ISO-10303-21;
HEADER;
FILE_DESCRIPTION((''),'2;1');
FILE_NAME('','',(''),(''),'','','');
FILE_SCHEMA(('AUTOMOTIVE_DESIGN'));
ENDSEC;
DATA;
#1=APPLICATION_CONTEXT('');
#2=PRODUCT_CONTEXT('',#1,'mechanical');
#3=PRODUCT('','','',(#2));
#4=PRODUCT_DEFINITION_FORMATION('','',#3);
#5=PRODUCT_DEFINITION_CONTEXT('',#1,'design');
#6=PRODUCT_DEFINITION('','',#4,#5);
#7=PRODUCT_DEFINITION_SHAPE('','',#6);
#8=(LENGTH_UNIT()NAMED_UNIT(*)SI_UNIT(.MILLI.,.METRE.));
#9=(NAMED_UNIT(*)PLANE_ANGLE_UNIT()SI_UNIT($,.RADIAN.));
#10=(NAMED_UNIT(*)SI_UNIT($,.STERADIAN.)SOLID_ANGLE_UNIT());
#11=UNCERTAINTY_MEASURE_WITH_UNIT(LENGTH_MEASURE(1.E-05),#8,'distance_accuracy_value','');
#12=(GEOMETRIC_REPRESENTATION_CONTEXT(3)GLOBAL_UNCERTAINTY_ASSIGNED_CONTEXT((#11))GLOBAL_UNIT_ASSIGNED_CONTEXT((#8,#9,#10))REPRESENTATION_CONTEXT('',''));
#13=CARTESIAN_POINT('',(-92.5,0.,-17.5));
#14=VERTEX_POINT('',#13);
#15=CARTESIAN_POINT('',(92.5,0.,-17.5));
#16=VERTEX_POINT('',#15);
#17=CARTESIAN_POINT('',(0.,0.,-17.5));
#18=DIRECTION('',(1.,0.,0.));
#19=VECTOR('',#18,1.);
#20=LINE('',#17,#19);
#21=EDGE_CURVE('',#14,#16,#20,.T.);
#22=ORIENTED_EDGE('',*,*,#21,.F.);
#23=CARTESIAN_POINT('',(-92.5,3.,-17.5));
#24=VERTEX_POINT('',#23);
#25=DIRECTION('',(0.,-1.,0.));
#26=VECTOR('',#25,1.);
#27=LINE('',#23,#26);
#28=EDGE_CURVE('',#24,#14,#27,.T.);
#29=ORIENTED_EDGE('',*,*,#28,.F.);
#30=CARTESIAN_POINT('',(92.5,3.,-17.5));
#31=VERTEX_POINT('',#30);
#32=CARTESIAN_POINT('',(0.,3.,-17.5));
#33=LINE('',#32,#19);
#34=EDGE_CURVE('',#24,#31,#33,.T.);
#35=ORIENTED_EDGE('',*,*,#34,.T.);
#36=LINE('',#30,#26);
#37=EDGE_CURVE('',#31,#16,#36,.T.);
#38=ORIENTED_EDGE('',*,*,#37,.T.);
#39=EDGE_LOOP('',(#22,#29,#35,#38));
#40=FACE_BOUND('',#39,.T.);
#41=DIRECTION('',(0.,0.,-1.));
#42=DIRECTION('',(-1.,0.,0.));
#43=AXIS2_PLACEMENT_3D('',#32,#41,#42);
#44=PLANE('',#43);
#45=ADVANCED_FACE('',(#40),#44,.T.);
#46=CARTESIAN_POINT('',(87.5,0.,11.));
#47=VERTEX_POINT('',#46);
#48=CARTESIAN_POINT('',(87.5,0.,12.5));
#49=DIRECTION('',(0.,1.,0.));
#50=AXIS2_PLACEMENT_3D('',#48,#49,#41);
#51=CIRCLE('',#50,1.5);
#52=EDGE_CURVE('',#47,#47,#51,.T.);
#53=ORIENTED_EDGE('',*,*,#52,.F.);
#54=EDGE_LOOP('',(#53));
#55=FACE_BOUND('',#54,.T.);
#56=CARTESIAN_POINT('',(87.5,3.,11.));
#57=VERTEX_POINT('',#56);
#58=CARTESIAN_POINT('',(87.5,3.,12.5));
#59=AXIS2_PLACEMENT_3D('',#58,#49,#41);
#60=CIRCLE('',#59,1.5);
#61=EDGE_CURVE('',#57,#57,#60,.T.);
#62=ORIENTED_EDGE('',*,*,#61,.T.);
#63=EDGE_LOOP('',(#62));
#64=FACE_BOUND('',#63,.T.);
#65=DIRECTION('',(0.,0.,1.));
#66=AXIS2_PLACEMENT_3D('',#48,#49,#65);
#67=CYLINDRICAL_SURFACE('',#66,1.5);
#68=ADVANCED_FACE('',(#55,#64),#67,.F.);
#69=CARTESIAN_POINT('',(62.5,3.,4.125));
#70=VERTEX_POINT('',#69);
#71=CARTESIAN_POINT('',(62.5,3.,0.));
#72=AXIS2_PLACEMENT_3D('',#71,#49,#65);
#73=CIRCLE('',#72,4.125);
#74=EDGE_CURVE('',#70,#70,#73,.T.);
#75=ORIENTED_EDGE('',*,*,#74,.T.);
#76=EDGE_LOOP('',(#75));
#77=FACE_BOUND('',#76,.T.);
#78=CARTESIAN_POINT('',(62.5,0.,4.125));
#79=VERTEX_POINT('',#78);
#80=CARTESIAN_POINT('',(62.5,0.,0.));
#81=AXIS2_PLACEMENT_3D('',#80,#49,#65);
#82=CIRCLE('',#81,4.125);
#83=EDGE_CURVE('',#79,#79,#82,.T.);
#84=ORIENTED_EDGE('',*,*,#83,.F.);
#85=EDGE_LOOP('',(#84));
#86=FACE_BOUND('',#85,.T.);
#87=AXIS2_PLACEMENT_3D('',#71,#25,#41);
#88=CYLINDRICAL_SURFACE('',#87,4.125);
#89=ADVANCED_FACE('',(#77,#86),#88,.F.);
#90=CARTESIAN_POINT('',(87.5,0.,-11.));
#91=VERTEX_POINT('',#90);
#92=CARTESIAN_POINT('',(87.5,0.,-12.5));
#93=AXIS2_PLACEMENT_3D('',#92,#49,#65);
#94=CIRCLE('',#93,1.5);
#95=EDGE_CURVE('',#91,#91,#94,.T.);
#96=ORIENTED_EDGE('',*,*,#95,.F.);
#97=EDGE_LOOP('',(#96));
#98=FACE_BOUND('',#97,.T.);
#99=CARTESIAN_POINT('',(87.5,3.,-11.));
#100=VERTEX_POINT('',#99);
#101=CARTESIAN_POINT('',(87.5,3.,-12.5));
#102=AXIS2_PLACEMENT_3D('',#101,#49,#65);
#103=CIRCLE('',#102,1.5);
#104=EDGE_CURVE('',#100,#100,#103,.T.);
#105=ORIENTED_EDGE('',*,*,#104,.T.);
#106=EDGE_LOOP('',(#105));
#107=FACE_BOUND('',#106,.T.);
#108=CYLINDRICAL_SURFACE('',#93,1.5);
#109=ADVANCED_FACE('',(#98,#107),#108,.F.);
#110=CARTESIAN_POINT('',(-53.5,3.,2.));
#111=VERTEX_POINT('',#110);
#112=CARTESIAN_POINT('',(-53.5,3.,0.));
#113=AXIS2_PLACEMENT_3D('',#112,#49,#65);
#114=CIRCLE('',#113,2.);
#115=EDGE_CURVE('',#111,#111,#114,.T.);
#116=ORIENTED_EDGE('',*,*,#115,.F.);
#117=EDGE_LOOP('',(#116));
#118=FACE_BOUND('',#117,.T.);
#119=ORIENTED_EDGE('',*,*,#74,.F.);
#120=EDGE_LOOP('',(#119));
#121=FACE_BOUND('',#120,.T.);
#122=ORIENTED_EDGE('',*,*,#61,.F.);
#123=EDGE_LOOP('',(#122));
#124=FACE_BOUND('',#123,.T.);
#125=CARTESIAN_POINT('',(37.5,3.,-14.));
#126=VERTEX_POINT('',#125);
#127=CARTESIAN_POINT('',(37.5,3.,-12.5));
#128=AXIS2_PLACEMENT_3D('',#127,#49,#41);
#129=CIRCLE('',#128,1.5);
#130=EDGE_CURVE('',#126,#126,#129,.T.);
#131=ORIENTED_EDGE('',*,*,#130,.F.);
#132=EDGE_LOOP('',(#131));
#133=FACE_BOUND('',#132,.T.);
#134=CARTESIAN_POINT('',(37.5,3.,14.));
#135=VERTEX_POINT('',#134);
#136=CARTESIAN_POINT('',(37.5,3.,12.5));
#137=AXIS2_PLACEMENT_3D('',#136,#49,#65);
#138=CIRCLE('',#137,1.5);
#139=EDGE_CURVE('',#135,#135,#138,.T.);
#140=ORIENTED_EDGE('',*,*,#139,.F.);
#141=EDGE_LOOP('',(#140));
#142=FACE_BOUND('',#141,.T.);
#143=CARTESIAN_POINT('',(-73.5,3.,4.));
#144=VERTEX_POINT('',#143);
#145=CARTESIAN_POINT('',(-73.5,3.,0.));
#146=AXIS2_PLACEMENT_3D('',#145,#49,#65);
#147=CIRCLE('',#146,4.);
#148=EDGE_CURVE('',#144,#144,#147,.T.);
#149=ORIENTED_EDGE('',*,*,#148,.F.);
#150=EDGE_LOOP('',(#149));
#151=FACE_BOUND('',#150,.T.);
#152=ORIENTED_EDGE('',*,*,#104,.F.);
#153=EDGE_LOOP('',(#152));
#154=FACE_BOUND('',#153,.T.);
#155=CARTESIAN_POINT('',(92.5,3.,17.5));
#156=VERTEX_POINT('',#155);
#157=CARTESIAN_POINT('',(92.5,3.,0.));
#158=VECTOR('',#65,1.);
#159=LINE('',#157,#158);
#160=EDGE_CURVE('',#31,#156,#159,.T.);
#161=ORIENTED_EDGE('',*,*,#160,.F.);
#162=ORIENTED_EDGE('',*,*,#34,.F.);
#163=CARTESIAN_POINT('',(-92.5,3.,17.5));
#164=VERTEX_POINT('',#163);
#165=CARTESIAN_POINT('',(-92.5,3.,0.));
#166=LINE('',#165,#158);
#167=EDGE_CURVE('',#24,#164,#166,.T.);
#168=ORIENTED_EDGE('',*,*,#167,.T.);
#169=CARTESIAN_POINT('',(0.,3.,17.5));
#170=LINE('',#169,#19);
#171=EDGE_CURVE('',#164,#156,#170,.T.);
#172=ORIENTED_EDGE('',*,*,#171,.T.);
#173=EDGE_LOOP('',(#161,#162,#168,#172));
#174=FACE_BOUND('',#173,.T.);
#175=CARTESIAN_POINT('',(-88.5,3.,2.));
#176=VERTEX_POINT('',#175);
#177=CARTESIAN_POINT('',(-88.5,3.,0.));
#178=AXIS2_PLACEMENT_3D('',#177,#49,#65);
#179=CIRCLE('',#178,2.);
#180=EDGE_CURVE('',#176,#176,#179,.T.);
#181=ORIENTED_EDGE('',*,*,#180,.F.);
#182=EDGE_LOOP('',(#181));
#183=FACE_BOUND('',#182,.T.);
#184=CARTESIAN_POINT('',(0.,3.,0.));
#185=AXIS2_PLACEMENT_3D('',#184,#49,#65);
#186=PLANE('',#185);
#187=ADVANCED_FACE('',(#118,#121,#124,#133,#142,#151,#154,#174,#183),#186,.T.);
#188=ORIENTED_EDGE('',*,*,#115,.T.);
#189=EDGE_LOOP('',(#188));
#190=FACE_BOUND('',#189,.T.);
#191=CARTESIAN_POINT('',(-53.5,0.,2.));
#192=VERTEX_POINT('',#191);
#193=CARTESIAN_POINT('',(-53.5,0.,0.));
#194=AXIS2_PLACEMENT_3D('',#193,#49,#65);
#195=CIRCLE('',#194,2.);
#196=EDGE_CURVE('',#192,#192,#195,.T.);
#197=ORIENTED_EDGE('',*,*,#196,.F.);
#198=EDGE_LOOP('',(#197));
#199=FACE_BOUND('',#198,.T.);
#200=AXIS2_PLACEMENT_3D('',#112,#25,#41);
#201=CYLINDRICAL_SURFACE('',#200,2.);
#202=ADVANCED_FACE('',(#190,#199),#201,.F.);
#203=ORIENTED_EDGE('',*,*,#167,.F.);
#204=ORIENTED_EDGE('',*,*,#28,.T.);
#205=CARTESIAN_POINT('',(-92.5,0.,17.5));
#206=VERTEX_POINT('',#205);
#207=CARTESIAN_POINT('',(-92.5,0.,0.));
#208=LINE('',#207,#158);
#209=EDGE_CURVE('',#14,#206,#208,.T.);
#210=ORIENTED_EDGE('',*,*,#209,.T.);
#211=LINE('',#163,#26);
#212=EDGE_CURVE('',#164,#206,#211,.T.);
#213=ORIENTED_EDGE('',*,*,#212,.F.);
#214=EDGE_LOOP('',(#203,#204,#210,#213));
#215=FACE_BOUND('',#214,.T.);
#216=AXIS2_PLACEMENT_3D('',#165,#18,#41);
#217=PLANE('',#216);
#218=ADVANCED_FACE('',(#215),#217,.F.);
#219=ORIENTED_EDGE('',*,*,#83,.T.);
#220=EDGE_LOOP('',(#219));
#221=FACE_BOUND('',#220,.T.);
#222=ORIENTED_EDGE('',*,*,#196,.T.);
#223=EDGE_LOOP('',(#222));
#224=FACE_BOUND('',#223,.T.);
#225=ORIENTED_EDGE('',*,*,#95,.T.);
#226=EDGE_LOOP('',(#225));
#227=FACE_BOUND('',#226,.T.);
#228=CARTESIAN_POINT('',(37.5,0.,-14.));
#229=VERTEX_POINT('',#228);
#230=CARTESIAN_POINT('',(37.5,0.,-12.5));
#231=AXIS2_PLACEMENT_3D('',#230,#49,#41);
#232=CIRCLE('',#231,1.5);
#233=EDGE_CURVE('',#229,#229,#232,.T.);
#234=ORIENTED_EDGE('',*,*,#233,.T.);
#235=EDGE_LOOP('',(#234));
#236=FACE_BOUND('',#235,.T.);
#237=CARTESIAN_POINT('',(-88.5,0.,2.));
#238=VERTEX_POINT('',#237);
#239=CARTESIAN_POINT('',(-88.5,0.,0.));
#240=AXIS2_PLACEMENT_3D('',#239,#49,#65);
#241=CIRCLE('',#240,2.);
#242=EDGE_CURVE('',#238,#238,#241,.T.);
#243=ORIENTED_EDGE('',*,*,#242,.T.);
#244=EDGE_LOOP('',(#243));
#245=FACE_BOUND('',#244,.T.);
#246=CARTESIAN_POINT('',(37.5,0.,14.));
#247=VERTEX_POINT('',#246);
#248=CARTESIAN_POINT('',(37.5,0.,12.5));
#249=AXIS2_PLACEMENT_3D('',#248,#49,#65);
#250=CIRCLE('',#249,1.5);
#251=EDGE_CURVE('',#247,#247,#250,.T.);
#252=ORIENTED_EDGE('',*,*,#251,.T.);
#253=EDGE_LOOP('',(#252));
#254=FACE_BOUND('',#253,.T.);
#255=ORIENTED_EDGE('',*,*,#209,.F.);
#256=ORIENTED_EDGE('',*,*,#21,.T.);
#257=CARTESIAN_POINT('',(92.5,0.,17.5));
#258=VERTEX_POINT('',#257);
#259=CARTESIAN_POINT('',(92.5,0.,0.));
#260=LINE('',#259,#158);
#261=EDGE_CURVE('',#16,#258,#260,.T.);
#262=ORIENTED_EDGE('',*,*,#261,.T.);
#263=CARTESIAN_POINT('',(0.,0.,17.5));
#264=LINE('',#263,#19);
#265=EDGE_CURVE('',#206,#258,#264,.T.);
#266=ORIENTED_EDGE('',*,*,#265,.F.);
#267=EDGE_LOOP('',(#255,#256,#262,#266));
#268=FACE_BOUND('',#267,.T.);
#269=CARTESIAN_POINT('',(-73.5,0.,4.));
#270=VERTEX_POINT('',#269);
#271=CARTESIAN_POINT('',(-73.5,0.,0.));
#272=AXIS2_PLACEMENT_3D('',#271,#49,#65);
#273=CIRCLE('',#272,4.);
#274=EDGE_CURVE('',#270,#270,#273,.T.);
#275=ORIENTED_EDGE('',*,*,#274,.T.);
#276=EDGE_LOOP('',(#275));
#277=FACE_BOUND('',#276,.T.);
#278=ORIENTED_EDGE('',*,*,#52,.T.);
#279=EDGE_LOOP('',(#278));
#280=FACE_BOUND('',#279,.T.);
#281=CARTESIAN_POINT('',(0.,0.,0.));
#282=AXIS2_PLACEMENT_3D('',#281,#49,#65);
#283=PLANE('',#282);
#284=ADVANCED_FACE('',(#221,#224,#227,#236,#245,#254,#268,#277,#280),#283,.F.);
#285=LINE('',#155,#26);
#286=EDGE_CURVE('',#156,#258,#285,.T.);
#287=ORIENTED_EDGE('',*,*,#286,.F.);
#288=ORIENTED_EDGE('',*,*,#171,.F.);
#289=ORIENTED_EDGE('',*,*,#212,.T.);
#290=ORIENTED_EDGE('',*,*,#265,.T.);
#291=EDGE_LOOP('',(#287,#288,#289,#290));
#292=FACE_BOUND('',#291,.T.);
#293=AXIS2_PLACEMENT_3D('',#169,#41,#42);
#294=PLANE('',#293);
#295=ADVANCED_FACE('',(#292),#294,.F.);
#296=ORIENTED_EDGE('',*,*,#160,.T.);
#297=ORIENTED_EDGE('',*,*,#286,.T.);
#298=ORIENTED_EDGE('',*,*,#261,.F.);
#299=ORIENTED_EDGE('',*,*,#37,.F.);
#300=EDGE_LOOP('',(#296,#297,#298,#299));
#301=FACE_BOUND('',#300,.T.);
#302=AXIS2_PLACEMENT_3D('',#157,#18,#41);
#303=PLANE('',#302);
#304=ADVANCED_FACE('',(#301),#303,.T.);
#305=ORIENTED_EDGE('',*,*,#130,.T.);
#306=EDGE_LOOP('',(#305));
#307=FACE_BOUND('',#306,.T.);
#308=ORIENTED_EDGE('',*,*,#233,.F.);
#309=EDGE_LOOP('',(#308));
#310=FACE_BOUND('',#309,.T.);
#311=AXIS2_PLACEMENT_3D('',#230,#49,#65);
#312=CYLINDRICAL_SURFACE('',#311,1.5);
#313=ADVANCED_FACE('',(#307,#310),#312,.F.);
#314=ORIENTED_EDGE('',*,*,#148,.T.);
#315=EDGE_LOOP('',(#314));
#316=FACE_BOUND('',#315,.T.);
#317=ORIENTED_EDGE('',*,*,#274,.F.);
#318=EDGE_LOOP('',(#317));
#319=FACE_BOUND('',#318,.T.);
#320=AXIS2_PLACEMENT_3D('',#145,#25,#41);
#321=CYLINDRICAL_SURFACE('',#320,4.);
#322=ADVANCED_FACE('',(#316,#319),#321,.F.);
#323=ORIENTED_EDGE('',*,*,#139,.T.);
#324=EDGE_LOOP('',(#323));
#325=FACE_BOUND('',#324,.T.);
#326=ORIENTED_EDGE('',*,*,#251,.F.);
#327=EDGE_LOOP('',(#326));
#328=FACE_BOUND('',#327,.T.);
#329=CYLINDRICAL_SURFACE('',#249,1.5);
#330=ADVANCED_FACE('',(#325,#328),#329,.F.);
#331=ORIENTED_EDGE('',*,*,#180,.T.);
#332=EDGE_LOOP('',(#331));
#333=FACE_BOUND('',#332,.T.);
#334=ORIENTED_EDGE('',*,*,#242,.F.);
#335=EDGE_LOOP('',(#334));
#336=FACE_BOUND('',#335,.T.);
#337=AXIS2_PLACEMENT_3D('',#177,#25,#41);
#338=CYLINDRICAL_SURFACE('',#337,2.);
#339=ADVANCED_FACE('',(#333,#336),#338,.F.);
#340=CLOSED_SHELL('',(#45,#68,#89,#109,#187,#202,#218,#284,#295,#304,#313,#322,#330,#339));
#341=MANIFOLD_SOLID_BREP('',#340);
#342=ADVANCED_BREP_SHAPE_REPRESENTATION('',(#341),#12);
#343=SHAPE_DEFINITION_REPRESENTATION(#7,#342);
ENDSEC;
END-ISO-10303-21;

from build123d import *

# Parameters (mm, degrees)
SKETCH1_W           = 185
SKETCH1_H           = 35
SKETCH1_R           = 4.125
SKETCH1_R_2         = 2
SKETCH1_R_3         = 4
BOSS_EXTRUDE1_DEPTH = 3
SKETCH6_R           = 1.5
CUT_EXTRUDE6_DEPTH  = 4


with BuildPart() as part:
    # Sketch1 → Boss-Extrude1 (new body)
    with BuildSketch(Plane(origin=(0, 0, 0), x_dir=(1, 0, 0), z_dir=(0, 1, 0))):
        Rectangle(SKETCH1_W, SKETCH1_H)
        with Locations((62.5, 0)):
            Circle(SKETCH1_R, mode=Mode.SUBTRACT)
        with Locations((-88.5, 0)):
            Circle(SKETCH1_R_2, mode=Mode.SUBTRACT)
        with Locations((-53.5, 0)):
            Circle(SKETCH1_R_2, mode=Mode.SUBTRACT)
        with Locations((-73.5, 0)):
            Circle(SKETCH1_R_3, mode=Mode.SUBTRACT)
    extrude(amount=BOSS_EXTRUDE1_DEPTH)

    # Sketch6 → Cut-Extrude6 (cut, through all)
    with BuildSketch(Plane(origin=(0, 3, 0), x_dir=(1, 0, 0), z_dir=(0, 1, 0))):
        with Locations((87.5, 12.5)):
            Circle(SKETCH6_R)
        with Locations((87.5, -12.5)):
            Circle(SKETCH6_R)
        with Locations((37.5, -12.5)):
            Circle(SKETCH6_R)
        with Locations((37.5, 12.5)):
            Circle(SKETCH6_R)
    extrude(amount=-CUT_EXTRUDE6_DEPTH, mode=Mode.SUBTRACT)


solid = part.part
